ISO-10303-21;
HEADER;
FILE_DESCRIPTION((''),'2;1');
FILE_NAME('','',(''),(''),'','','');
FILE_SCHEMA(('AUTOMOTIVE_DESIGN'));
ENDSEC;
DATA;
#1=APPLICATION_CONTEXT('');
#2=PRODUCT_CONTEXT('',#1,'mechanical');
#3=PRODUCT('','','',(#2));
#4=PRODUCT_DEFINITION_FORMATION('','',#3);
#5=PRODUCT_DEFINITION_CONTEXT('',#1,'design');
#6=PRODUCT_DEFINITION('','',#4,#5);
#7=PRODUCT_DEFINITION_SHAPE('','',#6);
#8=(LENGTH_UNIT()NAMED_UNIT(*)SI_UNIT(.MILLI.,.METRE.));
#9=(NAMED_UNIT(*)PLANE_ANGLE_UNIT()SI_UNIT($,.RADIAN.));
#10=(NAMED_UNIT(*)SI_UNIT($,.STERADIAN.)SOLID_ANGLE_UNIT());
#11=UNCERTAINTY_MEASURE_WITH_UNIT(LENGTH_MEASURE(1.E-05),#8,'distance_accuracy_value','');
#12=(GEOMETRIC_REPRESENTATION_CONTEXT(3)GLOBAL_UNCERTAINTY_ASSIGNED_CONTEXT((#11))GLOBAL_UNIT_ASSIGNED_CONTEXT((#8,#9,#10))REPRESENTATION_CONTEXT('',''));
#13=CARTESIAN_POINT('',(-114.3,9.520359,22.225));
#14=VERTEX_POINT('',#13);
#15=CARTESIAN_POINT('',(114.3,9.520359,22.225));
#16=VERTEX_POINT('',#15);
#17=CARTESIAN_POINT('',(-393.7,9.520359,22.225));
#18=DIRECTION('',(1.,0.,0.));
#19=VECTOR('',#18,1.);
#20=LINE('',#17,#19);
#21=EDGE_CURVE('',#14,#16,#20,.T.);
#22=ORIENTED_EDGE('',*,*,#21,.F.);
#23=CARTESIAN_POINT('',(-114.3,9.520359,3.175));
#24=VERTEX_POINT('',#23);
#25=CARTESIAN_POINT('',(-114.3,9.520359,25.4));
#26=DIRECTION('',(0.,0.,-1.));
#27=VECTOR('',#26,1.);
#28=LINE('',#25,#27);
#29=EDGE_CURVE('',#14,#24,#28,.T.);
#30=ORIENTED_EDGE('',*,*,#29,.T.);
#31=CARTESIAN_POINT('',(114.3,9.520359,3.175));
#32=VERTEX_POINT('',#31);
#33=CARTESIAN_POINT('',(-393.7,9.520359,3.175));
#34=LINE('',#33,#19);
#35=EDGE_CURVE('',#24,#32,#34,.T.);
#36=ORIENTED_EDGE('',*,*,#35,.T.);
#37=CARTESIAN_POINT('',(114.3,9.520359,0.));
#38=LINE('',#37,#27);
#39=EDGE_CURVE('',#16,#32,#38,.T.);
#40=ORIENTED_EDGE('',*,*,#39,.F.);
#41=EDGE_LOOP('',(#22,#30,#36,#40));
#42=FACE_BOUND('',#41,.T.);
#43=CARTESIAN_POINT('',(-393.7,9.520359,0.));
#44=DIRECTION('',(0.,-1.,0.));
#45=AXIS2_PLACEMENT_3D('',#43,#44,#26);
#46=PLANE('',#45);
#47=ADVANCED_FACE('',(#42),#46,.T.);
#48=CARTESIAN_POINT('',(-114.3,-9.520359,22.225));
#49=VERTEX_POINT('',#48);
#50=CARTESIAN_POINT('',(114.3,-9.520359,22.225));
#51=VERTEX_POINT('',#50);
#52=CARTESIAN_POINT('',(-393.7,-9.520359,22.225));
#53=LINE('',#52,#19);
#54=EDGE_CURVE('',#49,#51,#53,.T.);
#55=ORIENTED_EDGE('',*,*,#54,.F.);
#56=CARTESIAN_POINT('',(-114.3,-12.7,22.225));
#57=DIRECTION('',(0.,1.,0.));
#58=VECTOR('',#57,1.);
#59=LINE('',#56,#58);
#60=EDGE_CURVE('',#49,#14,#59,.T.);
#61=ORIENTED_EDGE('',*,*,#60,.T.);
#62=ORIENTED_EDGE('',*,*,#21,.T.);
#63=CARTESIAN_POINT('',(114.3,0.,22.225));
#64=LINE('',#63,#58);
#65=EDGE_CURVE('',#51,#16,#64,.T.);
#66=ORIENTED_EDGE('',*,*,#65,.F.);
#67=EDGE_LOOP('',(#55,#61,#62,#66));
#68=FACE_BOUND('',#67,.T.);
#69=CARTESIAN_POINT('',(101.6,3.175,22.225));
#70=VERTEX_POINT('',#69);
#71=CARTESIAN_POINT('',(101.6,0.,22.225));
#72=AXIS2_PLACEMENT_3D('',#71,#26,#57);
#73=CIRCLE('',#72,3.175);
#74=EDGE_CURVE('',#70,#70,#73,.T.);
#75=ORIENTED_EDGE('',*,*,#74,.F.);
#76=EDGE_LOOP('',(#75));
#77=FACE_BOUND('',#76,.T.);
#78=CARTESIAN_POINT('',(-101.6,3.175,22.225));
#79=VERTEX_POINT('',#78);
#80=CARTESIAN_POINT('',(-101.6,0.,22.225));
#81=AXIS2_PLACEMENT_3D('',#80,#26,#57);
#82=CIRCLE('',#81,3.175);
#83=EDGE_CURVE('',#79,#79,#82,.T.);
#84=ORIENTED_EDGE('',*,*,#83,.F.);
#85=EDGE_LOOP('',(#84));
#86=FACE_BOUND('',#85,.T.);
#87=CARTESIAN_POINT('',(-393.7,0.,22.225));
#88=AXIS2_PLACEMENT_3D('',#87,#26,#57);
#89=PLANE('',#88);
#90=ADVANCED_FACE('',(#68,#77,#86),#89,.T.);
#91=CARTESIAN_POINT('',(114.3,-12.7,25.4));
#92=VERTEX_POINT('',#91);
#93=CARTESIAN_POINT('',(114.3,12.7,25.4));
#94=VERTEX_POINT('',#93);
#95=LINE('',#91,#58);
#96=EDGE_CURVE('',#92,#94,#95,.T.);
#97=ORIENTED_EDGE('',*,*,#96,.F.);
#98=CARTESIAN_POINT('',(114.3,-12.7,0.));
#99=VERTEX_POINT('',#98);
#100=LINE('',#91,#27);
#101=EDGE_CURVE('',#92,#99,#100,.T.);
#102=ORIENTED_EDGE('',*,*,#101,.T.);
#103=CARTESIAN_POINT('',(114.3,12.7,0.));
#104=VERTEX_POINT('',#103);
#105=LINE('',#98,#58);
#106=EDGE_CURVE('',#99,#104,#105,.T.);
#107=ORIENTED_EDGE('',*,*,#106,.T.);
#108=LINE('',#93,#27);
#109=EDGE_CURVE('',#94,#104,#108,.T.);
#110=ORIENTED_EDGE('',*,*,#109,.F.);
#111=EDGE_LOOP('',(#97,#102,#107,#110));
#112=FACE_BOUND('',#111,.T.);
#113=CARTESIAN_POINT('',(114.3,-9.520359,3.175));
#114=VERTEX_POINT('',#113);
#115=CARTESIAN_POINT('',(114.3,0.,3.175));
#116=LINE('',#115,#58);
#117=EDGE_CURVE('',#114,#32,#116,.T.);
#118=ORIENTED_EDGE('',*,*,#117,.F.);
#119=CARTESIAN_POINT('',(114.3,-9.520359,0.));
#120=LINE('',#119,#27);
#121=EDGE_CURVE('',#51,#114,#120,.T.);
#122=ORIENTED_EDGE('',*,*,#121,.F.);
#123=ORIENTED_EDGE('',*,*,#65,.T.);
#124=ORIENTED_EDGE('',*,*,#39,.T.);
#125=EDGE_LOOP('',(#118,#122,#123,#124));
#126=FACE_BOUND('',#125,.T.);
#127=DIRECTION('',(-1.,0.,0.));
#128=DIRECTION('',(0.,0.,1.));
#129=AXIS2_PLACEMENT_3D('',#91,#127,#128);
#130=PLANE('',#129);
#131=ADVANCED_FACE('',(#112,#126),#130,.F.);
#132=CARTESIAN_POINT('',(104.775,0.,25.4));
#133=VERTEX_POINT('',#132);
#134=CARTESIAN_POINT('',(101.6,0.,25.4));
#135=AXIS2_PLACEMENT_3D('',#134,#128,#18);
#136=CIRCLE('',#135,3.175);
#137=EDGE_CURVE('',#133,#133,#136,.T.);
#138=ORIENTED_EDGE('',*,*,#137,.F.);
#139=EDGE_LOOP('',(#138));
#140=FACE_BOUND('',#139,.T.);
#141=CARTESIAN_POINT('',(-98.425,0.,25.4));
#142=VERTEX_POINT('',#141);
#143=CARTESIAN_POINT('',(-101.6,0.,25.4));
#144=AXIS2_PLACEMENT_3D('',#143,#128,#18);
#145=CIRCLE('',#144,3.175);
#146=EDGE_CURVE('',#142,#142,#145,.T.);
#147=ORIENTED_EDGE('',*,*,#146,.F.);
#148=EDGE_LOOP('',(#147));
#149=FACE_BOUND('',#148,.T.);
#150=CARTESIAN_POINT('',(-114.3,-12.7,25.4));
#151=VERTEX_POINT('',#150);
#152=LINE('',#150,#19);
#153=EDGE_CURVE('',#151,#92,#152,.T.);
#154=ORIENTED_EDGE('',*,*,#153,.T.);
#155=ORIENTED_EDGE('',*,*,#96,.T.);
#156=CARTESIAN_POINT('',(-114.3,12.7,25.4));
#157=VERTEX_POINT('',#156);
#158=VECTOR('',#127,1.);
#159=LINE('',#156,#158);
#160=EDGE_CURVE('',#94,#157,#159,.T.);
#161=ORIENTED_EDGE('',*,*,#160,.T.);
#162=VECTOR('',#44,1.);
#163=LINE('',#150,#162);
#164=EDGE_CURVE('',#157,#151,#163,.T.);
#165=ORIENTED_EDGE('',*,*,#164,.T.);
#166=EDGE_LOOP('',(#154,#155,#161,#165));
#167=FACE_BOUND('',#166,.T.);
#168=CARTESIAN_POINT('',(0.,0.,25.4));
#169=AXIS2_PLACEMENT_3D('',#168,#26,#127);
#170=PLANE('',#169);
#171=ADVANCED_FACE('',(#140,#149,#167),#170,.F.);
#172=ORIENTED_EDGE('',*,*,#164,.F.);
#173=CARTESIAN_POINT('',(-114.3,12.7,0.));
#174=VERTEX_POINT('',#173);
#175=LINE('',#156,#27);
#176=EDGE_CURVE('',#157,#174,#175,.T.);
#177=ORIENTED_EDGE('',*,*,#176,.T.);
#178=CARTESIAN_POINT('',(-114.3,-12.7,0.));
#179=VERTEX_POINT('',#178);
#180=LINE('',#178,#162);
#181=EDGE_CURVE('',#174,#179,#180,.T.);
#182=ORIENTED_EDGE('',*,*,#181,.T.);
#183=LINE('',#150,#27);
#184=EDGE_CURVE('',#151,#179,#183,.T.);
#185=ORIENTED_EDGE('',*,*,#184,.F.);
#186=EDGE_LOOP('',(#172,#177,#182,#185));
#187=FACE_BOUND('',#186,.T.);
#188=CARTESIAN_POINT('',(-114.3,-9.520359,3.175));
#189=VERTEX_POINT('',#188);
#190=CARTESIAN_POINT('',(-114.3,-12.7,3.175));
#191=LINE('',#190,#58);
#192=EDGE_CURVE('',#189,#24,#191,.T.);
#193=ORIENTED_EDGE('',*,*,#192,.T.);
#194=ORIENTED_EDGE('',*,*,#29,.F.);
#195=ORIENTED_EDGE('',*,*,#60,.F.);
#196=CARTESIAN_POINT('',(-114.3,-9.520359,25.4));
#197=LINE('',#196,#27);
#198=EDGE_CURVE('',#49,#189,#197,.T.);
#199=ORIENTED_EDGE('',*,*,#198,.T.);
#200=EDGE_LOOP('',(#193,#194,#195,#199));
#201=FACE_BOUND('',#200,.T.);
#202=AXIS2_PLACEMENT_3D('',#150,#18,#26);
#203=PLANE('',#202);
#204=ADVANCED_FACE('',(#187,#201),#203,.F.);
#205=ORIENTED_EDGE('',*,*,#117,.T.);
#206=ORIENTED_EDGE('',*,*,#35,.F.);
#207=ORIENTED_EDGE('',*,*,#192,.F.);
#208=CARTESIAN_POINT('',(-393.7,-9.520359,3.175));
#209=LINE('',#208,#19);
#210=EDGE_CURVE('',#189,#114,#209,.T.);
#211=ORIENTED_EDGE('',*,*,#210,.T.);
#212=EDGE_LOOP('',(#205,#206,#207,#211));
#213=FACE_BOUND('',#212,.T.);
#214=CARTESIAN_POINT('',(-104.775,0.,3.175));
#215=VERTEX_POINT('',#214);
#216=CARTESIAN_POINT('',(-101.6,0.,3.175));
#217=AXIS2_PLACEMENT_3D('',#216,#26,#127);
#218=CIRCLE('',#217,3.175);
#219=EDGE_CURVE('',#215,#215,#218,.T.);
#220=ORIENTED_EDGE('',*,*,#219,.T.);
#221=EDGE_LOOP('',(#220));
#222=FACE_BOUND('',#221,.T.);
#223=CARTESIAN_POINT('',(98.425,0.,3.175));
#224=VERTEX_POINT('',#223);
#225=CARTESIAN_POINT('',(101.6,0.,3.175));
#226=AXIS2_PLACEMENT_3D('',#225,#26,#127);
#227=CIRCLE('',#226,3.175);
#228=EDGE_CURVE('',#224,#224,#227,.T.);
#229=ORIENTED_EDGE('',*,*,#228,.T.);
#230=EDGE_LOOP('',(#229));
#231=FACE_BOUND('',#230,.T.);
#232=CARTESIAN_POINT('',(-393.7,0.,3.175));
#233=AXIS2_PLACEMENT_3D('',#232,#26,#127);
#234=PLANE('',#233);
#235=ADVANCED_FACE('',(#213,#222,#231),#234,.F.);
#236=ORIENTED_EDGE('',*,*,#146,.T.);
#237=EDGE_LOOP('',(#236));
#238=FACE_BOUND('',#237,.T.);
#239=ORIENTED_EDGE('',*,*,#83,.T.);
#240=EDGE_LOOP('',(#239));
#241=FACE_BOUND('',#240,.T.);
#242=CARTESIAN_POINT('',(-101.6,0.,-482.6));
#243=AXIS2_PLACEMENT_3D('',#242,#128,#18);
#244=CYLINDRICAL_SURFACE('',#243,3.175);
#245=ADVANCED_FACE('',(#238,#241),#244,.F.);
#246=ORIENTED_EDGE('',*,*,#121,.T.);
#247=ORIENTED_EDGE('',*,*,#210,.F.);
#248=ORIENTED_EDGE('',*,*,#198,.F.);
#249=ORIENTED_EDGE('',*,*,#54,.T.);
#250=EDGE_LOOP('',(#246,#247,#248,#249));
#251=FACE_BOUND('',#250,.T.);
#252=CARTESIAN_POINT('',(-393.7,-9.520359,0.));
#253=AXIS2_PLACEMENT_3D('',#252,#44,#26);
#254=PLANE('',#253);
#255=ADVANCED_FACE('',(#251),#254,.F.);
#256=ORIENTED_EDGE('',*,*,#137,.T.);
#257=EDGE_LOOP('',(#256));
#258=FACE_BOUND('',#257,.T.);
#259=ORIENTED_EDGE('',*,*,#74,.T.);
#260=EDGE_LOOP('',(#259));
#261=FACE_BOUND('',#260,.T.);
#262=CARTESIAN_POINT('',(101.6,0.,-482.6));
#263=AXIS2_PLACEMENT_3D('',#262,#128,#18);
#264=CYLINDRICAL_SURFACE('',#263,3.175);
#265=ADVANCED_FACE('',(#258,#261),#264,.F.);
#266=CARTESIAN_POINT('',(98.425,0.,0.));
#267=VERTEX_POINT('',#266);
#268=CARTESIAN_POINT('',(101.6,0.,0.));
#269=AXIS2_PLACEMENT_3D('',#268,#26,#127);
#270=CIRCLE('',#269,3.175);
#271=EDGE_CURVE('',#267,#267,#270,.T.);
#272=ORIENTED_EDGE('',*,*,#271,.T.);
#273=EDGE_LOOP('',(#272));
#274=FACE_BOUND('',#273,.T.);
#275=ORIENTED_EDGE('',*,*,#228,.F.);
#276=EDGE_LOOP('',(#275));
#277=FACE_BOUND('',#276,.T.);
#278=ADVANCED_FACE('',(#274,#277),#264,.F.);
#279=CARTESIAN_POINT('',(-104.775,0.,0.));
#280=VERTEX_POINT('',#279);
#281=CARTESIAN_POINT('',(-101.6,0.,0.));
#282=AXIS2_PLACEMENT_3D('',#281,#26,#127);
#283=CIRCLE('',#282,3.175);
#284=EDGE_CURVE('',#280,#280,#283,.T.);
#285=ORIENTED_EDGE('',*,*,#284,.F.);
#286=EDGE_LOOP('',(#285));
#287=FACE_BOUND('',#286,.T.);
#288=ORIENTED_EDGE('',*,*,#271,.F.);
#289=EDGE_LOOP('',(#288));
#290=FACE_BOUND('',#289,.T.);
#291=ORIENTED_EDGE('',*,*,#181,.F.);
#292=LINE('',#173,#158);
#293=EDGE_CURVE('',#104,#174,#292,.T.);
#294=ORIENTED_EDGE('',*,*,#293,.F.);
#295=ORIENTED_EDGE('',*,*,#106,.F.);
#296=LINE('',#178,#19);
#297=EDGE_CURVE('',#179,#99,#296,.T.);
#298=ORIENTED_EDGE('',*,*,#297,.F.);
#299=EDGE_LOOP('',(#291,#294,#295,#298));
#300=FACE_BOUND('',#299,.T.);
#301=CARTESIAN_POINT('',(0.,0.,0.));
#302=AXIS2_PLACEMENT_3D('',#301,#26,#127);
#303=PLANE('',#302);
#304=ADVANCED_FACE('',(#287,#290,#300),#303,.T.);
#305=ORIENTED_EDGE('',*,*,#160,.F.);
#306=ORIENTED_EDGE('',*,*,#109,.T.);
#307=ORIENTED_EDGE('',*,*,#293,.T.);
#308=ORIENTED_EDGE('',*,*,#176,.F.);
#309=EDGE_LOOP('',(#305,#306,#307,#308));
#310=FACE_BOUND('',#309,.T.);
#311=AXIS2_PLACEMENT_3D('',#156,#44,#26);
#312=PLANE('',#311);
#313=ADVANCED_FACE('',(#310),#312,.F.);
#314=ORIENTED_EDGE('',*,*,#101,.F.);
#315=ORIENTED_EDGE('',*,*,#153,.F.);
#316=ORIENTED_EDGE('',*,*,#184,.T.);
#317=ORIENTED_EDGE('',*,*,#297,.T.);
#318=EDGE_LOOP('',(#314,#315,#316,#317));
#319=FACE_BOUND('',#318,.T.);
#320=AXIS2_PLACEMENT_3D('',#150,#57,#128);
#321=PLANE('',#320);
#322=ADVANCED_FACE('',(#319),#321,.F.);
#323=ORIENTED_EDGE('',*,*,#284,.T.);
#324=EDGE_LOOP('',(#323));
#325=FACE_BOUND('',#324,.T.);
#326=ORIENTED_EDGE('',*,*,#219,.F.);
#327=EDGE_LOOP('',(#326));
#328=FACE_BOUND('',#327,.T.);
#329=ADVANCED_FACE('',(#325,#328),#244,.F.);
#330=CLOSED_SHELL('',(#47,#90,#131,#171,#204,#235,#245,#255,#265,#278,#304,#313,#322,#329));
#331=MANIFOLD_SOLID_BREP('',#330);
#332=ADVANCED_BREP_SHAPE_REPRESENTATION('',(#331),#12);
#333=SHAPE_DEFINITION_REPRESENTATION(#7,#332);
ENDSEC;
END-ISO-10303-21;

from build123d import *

# Parameters (mm, degrees)
SKETCH1_W           = 228.6
SKETCH1_H           = 25.4
BOSS_EXTRUDE1_DEPTH = 25.4
SKETCH2_W           = 9.525
SKETCH2_H           = 19.040717284
CUT_EXTRUDE1_DEPTH  = 508
SKETCH4_R           = 3.175
CUT_EXTRUDE3_DEPTH  = 508


with BuildPart() as part:
    # Sketch1 → Boss-Extrude1 (new body)
    with BuildSketch(Plane.XY):
        Rectangle(SKETCH1_W, SKETCH1_H)
    extrude(amount=BOSS_EXTRUDE1_DEPTH)

    # Sketch2 → Cut-Extrude1 (cut)
    with BuildSketch(Plane(origin=(114.3, 0, 0), x_dir=(0, 0, -1), z_dir=(1, 0, 0))):
        with Locations((-17.4625, 0)):
            Rectangle(SKETCH2_W, SKETCH2_H)
        with Locations((-7.9375, 0)):
            Rectangle(SKETCH2_W, SKETCH2_H)
    extrude(amount=-CUT_EXTRUDE1_DEPTH, mode=Mode.SUBTRACT)

    # Sketch4 → Cut-Extrude3 (cut)
    with BuildSketch(Plane.XY.offset(25.4)):
        with Locations((-101.6, 0)):
            Circle(SKETCH4_R)
        with Locations((101.6, 0)):
            Circle(SKETCH4_R)
    extrude(amount=-CUT_EXTRUDE3_DEPTH, mode=Mode.SUBTRACT)


solid = part.part
